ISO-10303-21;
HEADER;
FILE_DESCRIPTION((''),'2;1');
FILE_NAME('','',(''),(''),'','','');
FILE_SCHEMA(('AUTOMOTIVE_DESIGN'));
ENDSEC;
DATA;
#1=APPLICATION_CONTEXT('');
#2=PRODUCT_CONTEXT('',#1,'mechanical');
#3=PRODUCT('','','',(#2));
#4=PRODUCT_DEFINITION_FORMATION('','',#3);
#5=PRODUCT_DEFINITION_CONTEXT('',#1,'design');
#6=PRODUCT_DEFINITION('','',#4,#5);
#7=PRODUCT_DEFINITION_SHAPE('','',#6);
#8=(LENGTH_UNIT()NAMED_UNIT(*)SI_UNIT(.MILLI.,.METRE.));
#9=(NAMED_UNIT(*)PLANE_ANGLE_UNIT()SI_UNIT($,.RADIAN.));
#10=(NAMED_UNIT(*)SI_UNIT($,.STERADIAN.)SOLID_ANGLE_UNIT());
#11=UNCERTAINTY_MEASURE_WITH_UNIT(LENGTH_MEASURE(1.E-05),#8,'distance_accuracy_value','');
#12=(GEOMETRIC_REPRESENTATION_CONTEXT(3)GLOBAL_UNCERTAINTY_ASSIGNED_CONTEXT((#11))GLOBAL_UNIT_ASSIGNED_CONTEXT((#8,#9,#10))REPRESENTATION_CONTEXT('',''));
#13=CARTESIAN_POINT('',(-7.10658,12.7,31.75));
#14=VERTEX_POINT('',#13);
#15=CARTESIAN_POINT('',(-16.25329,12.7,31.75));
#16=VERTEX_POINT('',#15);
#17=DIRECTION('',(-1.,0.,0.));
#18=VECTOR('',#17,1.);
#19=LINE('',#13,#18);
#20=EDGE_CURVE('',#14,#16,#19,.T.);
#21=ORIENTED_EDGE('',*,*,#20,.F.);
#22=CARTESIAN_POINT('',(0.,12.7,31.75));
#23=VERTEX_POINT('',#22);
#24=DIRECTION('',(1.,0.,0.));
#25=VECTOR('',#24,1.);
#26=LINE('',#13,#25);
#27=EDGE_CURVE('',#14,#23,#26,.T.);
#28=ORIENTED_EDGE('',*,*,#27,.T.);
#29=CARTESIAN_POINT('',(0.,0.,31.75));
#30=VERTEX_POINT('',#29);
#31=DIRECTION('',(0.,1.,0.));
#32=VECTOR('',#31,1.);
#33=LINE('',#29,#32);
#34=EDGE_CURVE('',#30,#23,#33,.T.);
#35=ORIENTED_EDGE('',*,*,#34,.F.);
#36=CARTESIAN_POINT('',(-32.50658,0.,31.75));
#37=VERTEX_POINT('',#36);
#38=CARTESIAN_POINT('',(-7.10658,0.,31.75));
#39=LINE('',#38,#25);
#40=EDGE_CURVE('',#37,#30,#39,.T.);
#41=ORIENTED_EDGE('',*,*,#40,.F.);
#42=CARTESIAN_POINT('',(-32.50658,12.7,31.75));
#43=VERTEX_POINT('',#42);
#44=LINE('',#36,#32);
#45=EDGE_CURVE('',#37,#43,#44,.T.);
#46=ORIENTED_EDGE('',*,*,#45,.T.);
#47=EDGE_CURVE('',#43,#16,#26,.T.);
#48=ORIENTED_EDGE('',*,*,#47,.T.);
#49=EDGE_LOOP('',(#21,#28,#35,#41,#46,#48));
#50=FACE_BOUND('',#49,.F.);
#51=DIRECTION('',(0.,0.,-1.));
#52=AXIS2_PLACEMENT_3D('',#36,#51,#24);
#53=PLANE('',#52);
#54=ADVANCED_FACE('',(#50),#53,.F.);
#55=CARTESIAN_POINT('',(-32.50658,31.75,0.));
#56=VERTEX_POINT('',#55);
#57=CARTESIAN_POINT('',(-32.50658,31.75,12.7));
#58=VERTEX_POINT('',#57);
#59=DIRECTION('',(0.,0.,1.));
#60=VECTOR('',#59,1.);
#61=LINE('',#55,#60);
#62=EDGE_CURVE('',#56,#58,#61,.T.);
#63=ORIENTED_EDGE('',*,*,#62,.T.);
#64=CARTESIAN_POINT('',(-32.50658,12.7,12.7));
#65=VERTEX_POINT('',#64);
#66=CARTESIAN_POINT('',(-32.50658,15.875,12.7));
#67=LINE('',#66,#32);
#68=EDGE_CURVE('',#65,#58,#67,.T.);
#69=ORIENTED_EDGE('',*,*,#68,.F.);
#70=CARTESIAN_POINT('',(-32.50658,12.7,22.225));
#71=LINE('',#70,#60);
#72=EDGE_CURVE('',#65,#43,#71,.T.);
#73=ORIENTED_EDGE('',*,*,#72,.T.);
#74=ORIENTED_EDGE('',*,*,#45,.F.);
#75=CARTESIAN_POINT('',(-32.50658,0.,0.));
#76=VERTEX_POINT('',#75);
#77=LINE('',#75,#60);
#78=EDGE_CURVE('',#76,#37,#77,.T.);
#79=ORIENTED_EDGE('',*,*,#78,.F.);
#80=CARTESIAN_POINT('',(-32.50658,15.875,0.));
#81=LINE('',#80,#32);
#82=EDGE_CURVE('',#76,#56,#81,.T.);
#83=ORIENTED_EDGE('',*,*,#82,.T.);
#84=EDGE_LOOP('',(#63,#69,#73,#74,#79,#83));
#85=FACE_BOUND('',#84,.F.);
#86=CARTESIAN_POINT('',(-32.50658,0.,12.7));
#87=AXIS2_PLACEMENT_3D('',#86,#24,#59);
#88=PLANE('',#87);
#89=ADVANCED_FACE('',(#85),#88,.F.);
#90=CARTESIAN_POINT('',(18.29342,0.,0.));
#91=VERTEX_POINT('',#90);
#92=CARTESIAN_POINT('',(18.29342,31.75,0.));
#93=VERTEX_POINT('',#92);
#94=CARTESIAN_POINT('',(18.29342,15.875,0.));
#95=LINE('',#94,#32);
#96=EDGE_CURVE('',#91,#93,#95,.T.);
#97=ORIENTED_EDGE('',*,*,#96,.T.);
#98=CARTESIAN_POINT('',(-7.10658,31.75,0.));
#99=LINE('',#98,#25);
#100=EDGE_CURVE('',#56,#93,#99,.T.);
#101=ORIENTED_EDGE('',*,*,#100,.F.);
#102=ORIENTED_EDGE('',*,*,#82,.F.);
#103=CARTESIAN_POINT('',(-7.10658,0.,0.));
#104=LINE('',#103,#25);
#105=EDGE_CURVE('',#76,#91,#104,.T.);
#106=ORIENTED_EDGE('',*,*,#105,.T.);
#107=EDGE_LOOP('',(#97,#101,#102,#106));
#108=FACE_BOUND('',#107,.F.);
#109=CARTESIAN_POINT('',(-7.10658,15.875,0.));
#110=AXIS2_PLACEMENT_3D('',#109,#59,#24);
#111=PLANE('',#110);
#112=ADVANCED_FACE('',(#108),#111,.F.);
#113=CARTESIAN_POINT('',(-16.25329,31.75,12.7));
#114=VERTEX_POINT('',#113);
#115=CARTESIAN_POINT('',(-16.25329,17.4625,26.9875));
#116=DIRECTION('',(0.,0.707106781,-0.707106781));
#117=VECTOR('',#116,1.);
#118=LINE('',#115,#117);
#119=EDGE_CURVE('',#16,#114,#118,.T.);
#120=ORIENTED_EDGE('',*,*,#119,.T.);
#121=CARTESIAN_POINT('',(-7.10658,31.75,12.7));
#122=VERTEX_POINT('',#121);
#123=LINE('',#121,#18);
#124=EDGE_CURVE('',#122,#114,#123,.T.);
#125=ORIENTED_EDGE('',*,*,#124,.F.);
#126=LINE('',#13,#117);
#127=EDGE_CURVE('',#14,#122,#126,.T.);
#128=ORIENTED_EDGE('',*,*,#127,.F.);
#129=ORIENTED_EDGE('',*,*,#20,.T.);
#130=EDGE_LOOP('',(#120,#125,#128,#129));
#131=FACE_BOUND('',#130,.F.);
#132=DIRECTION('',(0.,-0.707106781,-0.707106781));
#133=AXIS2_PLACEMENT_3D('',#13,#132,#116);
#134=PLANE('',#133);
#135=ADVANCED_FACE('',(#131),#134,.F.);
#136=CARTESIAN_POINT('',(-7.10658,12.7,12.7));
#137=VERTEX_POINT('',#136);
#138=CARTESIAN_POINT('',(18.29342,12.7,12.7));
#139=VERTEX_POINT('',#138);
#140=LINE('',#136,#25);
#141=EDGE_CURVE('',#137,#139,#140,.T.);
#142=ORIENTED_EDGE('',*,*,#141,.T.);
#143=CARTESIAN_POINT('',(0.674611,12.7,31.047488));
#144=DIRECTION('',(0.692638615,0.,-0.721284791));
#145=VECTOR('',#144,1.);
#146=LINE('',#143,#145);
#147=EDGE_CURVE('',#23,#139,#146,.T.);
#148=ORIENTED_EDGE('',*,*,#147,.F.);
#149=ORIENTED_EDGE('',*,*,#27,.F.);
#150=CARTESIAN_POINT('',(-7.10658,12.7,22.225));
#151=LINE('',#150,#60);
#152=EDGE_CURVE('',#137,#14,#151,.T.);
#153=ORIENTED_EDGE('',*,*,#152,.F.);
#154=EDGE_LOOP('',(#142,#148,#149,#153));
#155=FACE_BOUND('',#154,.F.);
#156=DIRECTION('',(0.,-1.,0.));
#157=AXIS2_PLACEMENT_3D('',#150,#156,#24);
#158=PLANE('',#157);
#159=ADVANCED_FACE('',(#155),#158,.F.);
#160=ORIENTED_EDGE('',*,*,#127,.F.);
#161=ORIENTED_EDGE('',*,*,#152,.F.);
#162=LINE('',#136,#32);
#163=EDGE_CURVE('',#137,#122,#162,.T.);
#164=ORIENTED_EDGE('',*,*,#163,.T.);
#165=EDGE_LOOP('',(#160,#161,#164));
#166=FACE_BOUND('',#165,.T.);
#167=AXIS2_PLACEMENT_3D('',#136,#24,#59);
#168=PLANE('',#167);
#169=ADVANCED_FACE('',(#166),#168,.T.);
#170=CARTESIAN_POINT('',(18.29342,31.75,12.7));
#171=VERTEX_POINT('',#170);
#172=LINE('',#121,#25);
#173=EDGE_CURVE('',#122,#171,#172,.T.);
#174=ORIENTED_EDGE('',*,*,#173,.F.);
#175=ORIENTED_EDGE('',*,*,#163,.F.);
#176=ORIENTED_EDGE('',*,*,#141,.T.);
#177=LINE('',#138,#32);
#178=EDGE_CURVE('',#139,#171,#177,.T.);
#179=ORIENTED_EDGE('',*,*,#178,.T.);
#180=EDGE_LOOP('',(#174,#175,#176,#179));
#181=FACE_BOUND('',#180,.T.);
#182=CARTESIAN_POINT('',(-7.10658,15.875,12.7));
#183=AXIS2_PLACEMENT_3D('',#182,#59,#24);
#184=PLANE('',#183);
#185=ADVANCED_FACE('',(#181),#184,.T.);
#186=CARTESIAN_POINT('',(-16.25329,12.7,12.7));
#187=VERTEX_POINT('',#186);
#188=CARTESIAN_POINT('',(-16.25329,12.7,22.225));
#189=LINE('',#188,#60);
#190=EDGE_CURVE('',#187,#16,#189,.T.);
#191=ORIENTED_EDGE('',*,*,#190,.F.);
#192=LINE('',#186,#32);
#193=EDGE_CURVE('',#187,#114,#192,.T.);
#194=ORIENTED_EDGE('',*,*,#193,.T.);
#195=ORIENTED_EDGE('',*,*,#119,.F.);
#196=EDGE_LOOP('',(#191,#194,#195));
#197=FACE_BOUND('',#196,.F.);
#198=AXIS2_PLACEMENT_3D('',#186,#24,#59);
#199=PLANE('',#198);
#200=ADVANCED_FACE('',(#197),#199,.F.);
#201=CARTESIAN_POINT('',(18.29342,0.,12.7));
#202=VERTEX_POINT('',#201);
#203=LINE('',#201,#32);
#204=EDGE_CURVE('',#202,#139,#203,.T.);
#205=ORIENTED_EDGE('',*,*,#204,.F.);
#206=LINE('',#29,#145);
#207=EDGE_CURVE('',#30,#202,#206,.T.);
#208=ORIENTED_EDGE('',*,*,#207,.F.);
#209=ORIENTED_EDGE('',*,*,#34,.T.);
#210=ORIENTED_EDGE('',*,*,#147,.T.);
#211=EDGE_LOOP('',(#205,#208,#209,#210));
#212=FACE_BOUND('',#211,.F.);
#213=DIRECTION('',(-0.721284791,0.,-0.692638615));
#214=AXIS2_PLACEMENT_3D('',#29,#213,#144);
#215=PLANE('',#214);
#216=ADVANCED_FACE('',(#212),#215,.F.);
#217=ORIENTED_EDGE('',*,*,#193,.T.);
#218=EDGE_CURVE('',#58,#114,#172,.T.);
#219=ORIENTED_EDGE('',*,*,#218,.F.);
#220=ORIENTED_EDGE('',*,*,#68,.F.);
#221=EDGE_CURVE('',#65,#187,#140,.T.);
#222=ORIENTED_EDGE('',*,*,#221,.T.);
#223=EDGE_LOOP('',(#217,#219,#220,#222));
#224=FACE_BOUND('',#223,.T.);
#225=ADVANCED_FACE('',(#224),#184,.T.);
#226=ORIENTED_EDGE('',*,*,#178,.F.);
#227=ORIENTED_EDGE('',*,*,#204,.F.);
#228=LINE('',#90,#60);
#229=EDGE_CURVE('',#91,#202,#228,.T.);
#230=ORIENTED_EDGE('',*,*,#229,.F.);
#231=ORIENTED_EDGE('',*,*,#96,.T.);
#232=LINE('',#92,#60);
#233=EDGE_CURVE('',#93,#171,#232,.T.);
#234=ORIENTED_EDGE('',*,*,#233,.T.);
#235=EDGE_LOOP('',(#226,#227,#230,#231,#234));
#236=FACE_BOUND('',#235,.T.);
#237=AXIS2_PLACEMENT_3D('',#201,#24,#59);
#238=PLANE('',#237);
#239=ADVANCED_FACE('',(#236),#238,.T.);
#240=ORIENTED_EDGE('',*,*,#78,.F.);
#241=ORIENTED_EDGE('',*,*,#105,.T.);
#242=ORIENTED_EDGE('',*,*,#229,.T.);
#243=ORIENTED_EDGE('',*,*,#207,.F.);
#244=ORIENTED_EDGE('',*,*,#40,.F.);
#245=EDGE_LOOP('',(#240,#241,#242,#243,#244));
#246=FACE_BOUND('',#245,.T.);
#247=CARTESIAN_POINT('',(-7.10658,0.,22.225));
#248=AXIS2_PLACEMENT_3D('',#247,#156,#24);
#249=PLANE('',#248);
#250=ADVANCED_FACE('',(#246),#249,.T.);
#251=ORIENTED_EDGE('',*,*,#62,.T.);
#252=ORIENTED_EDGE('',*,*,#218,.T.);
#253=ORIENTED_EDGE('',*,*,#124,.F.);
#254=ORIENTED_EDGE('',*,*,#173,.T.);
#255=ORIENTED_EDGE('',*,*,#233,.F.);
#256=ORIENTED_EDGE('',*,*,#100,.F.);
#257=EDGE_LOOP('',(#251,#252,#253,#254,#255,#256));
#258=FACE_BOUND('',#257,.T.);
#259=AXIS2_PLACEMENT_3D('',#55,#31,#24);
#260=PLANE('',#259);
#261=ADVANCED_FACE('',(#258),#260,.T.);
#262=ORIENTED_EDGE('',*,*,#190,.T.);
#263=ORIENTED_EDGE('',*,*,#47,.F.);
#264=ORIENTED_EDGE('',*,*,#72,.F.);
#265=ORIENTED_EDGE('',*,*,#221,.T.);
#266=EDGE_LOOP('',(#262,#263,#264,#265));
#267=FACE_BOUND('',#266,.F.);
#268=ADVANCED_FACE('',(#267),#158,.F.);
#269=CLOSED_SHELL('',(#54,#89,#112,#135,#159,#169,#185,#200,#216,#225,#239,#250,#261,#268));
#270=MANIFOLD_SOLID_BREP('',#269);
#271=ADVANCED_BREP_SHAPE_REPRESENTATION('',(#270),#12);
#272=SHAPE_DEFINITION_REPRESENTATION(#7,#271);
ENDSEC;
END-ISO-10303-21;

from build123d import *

# Parameters (mm, degrees)
F0_W     = 50.8
F0_H     = 31.75
F1_DEPTH = 12.7
F2_W     = 50.8
F2_H     = 19.05
F3_DEPTH = 12.7
F5_DEPTH = 25.4
F6_W     = 9.14671
F6_H     = 19.05
F7_DEPTH = 19.05
F9_DEPTH = 25.4


with BuildPart() as f1:
    # F0 (on Top) → F1 (new body)
    with BuildSketch(Plane.XY):
        with Locations((-7.10658, 15.875)):
            Rectangle(F0_W, F0_H)
    extrude(amount=F1_DEPTH)

    # F2 (on face) → F3 (join)
    with BuildSketch(Plane.XZ):
        with Locations((-7.10658, 22.225)):
            Rectangle(F2_W, F2_H)
    extrude(amount=-F3_DEPTH)

    # F4 (on face) → F5 (cut)
    with BuildSketch(Plane.XZ):
        Polygon((18.29342, 31.75), (0, 31.75), (18.29342, 12.7), align=None)
    extrude(amount=-F5_DEPTH, mode=Mode.SUBTRACT)

    # F6 (on face) → F7 (join)
    with BuildSketch(Plane(origin=(0, 12.7, 0), x_dir=(-1, 0, 0), z_dir=(0, 1, 0))):
        with Locations((11.679935, 22.225)):
            Rectangle(F6_W, F6_H)
    extrude(amount=F7_DEPTH)

    # F8 (on face) → F9 (cut)
    with BuildSketch(Plane.YZ.offset(-7.10658)):
        Polygon((31.75, 31.75), (12.7, 31.75), (31.75, 12.7), align=None)
    extrude(amount=-F9_DEPTH, mode=Mode.SUBTRACT)


solid = f1.part
